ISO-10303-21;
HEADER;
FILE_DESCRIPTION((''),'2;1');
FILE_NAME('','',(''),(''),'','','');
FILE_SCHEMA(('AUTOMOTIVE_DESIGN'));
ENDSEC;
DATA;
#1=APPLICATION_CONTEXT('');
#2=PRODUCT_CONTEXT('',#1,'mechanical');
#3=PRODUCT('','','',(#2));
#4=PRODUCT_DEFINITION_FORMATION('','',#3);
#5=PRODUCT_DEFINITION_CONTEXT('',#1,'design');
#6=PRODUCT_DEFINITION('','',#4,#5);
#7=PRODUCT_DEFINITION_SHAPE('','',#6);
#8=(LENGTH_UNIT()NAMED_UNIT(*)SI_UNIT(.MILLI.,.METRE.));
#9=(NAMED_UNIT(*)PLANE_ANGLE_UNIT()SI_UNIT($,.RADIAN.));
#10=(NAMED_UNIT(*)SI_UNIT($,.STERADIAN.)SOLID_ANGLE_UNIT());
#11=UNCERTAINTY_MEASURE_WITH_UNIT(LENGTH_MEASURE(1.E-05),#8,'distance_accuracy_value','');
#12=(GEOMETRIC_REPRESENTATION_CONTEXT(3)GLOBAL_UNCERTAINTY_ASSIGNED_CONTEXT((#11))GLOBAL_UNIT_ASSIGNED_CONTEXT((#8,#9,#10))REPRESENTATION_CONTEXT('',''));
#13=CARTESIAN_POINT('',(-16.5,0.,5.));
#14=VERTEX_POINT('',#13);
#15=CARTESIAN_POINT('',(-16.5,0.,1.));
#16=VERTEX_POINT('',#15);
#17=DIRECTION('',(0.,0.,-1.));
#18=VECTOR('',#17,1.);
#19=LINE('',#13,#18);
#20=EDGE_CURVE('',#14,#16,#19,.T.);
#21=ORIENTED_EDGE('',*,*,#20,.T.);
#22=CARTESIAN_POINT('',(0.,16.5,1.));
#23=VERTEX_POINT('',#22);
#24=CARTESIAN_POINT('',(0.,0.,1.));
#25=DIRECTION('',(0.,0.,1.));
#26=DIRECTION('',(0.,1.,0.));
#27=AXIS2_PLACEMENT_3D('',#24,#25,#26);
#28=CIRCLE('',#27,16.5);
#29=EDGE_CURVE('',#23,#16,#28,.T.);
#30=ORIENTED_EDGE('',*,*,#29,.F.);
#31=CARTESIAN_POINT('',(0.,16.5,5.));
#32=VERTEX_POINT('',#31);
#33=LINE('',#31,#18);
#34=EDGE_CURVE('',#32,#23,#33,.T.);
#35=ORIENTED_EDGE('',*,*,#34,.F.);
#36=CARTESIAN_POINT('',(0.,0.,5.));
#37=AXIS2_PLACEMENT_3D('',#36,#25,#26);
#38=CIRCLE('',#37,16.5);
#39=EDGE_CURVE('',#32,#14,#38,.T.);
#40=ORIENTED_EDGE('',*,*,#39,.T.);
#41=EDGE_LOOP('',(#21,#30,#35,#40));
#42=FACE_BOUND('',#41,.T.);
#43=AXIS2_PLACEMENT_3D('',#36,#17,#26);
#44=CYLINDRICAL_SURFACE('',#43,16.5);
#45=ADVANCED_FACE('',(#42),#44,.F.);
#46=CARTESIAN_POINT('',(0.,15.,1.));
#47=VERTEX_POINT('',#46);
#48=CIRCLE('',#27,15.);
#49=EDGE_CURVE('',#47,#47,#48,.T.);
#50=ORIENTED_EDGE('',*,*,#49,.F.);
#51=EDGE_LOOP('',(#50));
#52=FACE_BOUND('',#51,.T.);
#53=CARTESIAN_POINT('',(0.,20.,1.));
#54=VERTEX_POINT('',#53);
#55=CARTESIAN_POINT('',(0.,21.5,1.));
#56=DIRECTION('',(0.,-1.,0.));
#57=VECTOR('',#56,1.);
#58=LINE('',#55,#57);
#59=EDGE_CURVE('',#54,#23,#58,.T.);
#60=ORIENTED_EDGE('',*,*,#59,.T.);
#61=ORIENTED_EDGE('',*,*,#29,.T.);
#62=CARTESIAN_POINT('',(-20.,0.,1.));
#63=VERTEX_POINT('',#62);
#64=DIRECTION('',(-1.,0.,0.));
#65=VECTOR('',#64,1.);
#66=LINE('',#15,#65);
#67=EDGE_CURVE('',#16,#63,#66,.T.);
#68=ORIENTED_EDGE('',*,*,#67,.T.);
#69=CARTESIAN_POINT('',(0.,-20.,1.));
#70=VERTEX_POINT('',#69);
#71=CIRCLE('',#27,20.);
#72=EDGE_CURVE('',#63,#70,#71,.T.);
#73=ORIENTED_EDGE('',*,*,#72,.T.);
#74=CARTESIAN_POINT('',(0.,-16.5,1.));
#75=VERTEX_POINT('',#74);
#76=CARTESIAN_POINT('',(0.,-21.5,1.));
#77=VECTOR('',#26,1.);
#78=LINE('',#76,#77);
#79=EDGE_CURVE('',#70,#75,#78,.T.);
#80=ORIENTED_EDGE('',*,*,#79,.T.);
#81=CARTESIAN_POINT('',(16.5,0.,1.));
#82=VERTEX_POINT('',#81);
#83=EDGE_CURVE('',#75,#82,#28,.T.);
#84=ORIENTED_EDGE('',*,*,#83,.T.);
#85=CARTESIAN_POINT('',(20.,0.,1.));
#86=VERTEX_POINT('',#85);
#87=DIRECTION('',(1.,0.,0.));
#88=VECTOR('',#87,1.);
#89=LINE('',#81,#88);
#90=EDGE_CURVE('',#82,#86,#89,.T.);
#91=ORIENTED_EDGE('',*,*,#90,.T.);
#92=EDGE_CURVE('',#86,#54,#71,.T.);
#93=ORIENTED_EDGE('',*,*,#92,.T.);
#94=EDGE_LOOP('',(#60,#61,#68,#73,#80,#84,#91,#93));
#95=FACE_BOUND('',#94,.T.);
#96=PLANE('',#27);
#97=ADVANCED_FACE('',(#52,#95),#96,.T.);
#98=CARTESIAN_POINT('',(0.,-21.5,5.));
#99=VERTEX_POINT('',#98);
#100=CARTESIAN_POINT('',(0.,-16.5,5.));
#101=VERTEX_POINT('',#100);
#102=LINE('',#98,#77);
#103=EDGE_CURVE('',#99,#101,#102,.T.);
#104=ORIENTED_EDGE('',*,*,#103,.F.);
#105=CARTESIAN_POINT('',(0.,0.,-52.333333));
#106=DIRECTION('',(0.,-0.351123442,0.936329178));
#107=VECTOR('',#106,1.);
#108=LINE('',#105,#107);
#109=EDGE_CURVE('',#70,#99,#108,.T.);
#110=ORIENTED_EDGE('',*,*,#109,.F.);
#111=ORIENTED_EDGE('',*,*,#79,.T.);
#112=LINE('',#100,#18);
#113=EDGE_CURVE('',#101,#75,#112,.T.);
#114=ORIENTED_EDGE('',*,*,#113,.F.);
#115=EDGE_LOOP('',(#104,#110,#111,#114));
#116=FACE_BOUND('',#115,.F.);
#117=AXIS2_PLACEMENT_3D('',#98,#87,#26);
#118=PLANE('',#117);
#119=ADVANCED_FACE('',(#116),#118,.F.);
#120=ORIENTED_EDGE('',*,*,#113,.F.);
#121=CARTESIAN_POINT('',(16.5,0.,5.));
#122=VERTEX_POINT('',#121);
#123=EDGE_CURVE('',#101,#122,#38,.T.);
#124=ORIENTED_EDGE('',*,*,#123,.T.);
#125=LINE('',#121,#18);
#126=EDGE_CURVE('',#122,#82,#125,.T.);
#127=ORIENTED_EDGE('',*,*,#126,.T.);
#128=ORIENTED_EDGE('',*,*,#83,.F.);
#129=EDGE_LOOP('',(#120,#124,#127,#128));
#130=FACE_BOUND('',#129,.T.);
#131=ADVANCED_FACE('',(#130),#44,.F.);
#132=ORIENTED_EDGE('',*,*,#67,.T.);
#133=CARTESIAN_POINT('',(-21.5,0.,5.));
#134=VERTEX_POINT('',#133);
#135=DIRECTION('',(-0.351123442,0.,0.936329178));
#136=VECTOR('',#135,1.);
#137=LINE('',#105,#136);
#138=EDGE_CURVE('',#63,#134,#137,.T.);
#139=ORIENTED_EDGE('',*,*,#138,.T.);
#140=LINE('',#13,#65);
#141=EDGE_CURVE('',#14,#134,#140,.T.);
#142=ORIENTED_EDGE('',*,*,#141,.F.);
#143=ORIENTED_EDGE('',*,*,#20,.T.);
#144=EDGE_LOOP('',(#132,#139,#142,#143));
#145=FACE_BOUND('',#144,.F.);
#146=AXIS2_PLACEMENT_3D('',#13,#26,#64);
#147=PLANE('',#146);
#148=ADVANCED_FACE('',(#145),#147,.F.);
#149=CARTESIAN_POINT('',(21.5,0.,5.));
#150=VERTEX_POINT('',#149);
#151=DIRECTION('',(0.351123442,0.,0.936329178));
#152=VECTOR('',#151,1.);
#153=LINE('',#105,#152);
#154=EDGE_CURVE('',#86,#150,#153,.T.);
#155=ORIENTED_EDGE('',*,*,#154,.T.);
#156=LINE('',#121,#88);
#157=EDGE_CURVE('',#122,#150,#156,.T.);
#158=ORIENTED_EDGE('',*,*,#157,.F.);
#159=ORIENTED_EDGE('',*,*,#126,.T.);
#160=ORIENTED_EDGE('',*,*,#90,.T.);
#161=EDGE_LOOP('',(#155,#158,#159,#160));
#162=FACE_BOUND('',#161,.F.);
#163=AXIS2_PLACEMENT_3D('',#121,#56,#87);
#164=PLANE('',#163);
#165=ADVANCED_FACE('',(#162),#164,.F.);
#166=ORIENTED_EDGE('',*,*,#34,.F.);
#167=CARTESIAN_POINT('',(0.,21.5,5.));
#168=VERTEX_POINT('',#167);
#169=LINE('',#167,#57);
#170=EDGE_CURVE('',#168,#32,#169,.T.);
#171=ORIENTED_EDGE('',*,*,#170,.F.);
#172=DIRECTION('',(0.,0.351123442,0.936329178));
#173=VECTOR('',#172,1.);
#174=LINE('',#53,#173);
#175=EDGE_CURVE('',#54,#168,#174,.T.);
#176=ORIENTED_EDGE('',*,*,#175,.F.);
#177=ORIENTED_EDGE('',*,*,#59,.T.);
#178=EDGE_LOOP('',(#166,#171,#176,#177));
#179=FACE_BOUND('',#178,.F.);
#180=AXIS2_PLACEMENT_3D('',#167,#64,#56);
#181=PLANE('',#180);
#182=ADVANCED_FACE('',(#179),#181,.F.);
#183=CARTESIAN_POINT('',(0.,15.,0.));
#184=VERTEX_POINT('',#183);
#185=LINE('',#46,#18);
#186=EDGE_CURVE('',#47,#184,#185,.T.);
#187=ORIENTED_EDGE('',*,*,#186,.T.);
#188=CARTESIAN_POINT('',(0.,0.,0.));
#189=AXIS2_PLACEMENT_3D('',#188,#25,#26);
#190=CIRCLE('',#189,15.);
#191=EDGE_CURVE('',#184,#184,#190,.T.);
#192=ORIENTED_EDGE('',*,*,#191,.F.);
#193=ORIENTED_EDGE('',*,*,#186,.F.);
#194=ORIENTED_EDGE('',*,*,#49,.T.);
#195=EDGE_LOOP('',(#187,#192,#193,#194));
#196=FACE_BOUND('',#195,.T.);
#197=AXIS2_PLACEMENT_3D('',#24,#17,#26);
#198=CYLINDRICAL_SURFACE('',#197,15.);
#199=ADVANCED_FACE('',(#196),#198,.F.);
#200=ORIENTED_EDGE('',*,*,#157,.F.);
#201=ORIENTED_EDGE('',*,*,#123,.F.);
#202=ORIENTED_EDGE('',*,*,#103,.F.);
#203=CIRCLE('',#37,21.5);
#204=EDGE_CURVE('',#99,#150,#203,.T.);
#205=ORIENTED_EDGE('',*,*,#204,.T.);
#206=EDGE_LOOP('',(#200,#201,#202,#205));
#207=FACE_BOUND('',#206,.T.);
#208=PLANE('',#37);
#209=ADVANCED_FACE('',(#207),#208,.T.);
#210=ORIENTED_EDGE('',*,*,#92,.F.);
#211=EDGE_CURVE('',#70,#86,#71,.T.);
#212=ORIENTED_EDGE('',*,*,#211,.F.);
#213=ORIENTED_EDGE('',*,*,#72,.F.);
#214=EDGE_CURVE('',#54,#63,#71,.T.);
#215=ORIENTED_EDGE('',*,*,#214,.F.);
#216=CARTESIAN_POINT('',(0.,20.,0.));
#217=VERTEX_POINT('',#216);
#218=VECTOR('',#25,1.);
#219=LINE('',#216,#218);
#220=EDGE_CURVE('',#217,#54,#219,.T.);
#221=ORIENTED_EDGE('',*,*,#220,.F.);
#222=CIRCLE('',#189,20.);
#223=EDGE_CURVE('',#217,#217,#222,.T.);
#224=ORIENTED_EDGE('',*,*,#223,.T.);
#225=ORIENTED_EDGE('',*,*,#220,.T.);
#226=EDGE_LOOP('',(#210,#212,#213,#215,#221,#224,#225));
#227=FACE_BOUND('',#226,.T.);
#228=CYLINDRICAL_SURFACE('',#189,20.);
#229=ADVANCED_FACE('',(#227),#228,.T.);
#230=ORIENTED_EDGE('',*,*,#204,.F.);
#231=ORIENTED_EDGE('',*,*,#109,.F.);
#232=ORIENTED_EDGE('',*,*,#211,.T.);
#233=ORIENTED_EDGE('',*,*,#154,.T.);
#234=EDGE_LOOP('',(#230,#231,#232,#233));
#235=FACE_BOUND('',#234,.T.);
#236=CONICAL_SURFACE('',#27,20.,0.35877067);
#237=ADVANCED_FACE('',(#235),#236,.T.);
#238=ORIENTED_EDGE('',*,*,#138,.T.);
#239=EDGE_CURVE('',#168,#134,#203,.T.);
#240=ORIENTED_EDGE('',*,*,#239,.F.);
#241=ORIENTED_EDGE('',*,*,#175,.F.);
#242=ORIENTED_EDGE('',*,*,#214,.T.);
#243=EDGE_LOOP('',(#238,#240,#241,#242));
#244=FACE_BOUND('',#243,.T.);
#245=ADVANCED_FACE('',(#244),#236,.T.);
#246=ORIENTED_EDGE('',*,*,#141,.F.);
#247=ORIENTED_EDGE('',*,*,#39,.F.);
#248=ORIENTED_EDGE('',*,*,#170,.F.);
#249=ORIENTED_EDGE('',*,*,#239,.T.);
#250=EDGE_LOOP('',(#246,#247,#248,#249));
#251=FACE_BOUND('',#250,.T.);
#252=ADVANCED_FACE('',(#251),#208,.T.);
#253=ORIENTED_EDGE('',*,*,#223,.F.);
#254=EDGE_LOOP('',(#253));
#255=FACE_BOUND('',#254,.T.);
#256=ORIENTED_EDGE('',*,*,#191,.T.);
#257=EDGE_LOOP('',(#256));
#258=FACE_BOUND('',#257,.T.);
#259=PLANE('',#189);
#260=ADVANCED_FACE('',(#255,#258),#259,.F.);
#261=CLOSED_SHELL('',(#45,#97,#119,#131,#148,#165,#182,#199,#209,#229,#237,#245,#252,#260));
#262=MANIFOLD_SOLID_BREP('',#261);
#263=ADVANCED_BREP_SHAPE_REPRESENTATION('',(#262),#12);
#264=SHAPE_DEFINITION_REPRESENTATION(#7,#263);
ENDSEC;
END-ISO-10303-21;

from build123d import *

# Parameters (mm, degrees)
F3_DEPTH = 4


with BuildPart() as f1:
    # F0 (on Right) → F1 (revolve)
    with BuildSketch(Plane.YZ):
        Polygon((15, 1), (15, 0), (20, 0), (20, 1), (21.5, 5), (16.5, 5), (16.5, 1), align=None)
    revolve(axis=Axis((0, 0, -1.199019), (0, 0, 1)))

    # F2 (on face) → F3 (cut)
    with BuildSketch(Plane.XY.offset(5)):
        with BuildLine():
            Line((0, -21.5), (0, -16.5))
            ThreePointArc((0, -16.5), (-11.667262, -11.667262), (-16.5, 0))
            Line((-16.5, 0), (-21.5, 0))
            ThreePointArc((-21.5, 0), (-15.202796, -15.202796), (0, -21.5))
        make_face()
        with BuildLine():
            Line((0, 21.5), (0, 16.5))
            ThreePointArc((0, 16.5), (11.667262, 11.667262), (16.5, 0))
            Line((16.5, 0), (21.5, 0))
            ThreePointArc((21.5, 0), (15.202796, 15.202796), (0, 21.5))
        make_face()
    extrude(amount=-F3_DEPTH, mode=Mode.SUBTRACT)


solid = f1.part
